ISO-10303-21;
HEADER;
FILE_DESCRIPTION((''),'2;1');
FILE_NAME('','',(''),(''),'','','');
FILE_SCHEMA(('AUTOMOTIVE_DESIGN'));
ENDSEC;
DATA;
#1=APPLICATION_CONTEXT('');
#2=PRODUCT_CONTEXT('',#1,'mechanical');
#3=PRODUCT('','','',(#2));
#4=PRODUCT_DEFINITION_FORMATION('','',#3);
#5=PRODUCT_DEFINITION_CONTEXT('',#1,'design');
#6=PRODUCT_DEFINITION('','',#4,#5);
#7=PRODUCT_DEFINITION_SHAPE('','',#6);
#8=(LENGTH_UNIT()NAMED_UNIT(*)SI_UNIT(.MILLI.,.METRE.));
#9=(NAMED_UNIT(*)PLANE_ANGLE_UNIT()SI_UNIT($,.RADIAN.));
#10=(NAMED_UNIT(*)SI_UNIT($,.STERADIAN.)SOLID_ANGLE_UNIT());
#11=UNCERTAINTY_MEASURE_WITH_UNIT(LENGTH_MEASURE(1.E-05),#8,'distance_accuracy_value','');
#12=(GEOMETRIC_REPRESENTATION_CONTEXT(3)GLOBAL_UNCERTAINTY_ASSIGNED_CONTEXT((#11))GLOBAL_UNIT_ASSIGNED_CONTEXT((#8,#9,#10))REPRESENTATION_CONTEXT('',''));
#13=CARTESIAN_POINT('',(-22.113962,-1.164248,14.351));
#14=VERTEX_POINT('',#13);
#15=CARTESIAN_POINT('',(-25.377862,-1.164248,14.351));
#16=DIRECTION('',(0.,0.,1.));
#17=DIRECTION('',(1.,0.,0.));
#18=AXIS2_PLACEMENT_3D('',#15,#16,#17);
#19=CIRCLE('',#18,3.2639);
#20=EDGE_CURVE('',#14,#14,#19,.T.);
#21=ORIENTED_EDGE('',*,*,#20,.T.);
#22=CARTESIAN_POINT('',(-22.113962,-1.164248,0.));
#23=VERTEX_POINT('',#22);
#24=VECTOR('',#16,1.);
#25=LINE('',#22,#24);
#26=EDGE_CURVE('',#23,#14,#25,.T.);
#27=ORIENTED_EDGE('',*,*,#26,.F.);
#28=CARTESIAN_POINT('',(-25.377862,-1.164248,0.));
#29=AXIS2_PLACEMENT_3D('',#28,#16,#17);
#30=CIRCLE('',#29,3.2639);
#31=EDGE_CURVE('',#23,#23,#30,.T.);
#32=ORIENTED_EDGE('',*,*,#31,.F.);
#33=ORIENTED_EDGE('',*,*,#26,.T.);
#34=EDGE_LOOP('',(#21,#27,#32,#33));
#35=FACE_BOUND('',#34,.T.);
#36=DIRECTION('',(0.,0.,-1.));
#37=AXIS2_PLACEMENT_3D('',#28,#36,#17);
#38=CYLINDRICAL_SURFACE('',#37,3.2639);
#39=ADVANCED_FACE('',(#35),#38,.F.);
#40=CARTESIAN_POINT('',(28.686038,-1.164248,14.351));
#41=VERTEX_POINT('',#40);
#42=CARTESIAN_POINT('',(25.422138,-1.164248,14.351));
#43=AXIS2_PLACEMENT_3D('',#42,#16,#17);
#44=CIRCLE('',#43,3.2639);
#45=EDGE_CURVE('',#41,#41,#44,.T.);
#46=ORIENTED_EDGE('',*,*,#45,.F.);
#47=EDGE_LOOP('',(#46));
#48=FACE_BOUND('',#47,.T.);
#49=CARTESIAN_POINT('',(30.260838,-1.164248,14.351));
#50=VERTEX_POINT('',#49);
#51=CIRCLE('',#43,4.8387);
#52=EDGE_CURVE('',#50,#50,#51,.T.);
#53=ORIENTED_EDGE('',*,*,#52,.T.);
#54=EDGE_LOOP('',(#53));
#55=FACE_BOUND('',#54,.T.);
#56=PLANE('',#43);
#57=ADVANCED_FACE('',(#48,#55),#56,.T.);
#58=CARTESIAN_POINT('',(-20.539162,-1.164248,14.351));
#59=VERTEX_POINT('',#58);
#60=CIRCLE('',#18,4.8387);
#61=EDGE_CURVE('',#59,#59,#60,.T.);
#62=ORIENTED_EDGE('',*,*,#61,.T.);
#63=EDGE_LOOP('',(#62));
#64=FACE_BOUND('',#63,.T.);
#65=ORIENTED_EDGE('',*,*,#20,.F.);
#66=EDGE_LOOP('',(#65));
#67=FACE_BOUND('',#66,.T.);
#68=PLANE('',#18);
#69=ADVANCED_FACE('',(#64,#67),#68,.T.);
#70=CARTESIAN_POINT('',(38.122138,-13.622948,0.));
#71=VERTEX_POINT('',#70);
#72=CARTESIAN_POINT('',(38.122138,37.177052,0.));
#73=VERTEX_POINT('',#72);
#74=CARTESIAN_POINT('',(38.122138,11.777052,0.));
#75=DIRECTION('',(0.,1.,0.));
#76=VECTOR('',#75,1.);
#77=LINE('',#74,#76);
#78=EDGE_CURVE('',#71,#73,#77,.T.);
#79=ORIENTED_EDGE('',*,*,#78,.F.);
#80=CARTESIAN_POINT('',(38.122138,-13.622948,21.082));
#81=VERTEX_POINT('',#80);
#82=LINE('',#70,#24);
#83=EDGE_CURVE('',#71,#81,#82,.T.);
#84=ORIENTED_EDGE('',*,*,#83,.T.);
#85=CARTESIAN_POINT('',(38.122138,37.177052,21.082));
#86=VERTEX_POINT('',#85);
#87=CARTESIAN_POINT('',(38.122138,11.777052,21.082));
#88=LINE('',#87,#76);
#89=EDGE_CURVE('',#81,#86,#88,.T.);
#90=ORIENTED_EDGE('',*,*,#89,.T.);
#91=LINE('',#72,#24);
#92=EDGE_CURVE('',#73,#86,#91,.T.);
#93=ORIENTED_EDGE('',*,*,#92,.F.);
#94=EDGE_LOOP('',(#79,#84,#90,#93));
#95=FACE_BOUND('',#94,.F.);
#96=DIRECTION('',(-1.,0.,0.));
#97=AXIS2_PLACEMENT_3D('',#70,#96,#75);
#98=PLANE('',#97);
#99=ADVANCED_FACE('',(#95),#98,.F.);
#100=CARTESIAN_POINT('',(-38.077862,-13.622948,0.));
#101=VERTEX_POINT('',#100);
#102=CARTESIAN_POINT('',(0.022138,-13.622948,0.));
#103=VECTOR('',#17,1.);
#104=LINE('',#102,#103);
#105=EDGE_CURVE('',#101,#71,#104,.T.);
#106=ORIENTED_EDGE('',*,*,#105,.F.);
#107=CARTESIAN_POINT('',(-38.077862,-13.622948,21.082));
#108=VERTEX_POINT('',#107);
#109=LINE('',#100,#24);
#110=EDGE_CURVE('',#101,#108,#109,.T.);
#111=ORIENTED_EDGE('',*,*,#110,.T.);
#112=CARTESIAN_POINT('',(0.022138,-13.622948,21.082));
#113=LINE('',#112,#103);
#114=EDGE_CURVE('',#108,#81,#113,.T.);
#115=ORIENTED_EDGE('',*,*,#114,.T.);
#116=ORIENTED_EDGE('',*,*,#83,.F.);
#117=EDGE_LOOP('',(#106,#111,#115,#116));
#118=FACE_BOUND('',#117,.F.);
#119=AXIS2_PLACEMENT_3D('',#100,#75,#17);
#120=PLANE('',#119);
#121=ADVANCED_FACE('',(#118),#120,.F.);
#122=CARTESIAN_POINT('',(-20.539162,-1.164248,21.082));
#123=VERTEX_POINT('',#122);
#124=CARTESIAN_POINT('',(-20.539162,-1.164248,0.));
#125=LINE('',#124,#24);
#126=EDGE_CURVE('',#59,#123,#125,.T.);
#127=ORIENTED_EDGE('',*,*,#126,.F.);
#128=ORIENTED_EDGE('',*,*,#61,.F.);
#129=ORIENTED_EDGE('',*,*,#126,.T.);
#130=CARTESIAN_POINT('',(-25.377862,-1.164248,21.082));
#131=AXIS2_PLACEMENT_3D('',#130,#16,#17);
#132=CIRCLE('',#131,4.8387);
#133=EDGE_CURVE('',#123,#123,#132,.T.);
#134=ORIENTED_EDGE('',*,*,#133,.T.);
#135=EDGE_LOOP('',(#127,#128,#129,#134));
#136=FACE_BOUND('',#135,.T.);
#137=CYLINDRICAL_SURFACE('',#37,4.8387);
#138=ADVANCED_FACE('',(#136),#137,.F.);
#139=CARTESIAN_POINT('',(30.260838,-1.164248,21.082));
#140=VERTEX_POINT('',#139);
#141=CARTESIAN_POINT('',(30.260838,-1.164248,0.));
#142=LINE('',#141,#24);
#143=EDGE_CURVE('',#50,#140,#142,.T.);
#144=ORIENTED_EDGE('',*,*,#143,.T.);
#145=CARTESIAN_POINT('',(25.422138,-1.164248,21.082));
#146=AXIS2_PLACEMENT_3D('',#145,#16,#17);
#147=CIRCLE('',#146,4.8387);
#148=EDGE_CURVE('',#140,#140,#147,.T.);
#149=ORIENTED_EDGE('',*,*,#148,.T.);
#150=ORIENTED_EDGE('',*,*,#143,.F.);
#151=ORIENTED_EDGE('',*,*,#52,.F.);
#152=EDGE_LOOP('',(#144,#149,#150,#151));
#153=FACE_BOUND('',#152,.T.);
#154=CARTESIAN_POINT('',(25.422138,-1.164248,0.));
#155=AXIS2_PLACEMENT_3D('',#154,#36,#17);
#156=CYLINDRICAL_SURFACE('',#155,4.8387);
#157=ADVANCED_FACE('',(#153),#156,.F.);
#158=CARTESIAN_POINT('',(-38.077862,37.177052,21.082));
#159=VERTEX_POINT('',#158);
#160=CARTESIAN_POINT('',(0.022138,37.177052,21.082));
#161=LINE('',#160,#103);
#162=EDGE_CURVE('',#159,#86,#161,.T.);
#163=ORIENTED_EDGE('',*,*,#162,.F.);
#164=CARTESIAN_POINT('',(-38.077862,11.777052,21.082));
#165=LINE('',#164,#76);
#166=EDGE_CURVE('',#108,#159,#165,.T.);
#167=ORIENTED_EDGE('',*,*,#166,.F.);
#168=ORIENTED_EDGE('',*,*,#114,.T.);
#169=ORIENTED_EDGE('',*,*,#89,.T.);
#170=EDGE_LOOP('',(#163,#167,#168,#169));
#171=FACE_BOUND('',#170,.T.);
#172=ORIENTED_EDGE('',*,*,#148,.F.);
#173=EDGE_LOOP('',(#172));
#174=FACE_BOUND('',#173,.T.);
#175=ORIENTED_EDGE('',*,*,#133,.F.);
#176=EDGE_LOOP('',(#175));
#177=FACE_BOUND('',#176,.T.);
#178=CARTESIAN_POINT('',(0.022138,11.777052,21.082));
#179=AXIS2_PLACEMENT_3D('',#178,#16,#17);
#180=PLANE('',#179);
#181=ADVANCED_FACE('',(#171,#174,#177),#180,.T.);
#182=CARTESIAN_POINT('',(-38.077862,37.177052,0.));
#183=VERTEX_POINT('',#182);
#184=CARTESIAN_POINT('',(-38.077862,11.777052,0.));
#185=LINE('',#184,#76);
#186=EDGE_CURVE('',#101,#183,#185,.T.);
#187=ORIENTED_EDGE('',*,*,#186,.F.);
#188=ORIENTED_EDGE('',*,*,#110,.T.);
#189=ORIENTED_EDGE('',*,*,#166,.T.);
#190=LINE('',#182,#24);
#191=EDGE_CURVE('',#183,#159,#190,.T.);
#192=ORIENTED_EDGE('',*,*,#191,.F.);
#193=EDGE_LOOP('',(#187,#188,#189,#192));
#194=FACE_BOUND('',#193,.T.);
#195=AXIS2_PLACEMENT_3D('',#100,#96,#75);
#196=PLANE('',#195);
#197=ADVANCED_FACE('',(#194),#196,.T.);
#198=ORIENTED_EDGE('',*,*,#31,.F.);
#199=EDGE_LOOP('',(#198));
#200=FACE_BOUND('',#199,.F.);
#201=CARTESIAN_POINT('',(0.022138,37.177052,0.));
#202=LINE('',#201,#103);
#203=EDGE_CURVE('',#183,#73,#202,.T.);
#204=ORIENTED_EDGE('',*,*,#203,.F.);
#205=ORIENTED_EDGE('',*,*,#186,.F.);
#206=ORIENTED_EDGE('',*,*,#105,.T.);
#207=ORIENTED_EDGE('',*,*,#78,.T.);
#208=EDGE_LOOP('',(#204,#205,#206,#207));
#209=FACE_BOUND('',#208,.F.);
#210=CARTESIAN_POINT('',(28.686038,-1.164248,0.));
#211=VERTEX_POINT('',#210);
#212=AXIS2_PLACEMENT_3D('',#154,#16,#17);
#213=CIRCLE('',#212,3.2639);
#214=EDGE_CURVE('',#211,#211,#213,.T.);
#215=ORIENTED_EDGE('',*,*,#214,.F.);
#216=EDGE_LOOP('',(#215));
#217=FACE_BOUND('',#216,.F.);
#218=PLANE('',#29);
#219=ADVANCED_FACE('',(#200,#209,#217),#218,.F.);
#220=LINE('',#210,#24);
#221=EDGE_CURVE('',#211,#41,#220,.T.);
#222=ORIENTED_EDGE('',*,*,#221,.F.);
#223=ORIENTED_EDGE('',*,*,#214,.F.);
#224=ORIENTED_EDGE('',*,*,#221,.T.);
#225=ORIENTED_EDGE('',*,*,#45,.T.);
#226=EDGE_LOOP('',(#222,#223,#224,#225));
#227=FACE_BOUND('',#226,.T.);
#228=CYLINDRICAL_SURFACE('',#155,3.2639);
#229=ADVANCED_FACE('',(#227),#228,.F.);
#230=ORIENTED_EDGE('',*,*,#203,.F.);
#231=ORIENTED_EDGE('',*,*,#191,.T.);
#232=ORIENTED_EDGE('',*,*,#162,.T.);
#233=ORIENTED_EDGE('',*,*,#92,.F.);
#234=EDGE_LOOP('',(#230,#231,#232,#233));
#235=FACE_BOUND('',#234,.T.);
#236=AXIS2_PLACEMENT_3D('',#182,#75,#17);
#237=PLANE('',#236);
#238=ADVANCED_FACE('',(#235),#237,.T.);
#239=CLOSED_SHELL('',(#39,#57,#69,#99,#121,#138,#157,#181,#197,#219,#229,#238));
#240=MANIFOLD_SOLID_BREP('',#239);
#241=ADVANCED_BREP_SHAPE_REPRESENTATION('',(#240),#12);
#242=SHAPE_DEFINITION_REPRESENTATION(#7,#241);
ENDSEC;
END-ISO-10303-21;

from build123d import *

# Parameters (mm, degrees)
F0_W     = 76.2
F0_H     = 50.8
F0_R     = 4.8387
F1_DEPTH = 21.082
F0_R_2   = 3.2639
F2_DEPTH = 14.351


with BuildPart() as f1:
    # F0 (on Top) → F1 (new body)
    with BuildSketch(Plane.XY):
        with Locations((0.022138, 11.777052)):
            Rectangle(F0_W, F0_H)
        with Locations((-25.377862, -1.164248)):
            Circle(F0_R, mode=Mode.SUBTRACT)
        with Locations((25.422138, -1.164248)):
            Circle(F0_R, mode=Mode.SUBTRACT)
    extrude(amount=F1_DEPTH)

    # F0 (on Top) → F2 (join)
    with BuildSketch(Plane.XY):
        with Locations((-25.377862, -1.164248)):
            Circle(F0_R)
        with Locations((-25.377862, -1.164248)):
            Circle(F0_R_2, mode=Mode.SUBTRACT)
        with Locations((25.422138, -1.164248)):
            Circle(F0_R)
        with Locations((25.422138, -1.164248)):
            Circle(F0_R_2, mode=Mode.SUBTRACT)
    extrude(amount=F2_DEPTH)


solid = f1.part
